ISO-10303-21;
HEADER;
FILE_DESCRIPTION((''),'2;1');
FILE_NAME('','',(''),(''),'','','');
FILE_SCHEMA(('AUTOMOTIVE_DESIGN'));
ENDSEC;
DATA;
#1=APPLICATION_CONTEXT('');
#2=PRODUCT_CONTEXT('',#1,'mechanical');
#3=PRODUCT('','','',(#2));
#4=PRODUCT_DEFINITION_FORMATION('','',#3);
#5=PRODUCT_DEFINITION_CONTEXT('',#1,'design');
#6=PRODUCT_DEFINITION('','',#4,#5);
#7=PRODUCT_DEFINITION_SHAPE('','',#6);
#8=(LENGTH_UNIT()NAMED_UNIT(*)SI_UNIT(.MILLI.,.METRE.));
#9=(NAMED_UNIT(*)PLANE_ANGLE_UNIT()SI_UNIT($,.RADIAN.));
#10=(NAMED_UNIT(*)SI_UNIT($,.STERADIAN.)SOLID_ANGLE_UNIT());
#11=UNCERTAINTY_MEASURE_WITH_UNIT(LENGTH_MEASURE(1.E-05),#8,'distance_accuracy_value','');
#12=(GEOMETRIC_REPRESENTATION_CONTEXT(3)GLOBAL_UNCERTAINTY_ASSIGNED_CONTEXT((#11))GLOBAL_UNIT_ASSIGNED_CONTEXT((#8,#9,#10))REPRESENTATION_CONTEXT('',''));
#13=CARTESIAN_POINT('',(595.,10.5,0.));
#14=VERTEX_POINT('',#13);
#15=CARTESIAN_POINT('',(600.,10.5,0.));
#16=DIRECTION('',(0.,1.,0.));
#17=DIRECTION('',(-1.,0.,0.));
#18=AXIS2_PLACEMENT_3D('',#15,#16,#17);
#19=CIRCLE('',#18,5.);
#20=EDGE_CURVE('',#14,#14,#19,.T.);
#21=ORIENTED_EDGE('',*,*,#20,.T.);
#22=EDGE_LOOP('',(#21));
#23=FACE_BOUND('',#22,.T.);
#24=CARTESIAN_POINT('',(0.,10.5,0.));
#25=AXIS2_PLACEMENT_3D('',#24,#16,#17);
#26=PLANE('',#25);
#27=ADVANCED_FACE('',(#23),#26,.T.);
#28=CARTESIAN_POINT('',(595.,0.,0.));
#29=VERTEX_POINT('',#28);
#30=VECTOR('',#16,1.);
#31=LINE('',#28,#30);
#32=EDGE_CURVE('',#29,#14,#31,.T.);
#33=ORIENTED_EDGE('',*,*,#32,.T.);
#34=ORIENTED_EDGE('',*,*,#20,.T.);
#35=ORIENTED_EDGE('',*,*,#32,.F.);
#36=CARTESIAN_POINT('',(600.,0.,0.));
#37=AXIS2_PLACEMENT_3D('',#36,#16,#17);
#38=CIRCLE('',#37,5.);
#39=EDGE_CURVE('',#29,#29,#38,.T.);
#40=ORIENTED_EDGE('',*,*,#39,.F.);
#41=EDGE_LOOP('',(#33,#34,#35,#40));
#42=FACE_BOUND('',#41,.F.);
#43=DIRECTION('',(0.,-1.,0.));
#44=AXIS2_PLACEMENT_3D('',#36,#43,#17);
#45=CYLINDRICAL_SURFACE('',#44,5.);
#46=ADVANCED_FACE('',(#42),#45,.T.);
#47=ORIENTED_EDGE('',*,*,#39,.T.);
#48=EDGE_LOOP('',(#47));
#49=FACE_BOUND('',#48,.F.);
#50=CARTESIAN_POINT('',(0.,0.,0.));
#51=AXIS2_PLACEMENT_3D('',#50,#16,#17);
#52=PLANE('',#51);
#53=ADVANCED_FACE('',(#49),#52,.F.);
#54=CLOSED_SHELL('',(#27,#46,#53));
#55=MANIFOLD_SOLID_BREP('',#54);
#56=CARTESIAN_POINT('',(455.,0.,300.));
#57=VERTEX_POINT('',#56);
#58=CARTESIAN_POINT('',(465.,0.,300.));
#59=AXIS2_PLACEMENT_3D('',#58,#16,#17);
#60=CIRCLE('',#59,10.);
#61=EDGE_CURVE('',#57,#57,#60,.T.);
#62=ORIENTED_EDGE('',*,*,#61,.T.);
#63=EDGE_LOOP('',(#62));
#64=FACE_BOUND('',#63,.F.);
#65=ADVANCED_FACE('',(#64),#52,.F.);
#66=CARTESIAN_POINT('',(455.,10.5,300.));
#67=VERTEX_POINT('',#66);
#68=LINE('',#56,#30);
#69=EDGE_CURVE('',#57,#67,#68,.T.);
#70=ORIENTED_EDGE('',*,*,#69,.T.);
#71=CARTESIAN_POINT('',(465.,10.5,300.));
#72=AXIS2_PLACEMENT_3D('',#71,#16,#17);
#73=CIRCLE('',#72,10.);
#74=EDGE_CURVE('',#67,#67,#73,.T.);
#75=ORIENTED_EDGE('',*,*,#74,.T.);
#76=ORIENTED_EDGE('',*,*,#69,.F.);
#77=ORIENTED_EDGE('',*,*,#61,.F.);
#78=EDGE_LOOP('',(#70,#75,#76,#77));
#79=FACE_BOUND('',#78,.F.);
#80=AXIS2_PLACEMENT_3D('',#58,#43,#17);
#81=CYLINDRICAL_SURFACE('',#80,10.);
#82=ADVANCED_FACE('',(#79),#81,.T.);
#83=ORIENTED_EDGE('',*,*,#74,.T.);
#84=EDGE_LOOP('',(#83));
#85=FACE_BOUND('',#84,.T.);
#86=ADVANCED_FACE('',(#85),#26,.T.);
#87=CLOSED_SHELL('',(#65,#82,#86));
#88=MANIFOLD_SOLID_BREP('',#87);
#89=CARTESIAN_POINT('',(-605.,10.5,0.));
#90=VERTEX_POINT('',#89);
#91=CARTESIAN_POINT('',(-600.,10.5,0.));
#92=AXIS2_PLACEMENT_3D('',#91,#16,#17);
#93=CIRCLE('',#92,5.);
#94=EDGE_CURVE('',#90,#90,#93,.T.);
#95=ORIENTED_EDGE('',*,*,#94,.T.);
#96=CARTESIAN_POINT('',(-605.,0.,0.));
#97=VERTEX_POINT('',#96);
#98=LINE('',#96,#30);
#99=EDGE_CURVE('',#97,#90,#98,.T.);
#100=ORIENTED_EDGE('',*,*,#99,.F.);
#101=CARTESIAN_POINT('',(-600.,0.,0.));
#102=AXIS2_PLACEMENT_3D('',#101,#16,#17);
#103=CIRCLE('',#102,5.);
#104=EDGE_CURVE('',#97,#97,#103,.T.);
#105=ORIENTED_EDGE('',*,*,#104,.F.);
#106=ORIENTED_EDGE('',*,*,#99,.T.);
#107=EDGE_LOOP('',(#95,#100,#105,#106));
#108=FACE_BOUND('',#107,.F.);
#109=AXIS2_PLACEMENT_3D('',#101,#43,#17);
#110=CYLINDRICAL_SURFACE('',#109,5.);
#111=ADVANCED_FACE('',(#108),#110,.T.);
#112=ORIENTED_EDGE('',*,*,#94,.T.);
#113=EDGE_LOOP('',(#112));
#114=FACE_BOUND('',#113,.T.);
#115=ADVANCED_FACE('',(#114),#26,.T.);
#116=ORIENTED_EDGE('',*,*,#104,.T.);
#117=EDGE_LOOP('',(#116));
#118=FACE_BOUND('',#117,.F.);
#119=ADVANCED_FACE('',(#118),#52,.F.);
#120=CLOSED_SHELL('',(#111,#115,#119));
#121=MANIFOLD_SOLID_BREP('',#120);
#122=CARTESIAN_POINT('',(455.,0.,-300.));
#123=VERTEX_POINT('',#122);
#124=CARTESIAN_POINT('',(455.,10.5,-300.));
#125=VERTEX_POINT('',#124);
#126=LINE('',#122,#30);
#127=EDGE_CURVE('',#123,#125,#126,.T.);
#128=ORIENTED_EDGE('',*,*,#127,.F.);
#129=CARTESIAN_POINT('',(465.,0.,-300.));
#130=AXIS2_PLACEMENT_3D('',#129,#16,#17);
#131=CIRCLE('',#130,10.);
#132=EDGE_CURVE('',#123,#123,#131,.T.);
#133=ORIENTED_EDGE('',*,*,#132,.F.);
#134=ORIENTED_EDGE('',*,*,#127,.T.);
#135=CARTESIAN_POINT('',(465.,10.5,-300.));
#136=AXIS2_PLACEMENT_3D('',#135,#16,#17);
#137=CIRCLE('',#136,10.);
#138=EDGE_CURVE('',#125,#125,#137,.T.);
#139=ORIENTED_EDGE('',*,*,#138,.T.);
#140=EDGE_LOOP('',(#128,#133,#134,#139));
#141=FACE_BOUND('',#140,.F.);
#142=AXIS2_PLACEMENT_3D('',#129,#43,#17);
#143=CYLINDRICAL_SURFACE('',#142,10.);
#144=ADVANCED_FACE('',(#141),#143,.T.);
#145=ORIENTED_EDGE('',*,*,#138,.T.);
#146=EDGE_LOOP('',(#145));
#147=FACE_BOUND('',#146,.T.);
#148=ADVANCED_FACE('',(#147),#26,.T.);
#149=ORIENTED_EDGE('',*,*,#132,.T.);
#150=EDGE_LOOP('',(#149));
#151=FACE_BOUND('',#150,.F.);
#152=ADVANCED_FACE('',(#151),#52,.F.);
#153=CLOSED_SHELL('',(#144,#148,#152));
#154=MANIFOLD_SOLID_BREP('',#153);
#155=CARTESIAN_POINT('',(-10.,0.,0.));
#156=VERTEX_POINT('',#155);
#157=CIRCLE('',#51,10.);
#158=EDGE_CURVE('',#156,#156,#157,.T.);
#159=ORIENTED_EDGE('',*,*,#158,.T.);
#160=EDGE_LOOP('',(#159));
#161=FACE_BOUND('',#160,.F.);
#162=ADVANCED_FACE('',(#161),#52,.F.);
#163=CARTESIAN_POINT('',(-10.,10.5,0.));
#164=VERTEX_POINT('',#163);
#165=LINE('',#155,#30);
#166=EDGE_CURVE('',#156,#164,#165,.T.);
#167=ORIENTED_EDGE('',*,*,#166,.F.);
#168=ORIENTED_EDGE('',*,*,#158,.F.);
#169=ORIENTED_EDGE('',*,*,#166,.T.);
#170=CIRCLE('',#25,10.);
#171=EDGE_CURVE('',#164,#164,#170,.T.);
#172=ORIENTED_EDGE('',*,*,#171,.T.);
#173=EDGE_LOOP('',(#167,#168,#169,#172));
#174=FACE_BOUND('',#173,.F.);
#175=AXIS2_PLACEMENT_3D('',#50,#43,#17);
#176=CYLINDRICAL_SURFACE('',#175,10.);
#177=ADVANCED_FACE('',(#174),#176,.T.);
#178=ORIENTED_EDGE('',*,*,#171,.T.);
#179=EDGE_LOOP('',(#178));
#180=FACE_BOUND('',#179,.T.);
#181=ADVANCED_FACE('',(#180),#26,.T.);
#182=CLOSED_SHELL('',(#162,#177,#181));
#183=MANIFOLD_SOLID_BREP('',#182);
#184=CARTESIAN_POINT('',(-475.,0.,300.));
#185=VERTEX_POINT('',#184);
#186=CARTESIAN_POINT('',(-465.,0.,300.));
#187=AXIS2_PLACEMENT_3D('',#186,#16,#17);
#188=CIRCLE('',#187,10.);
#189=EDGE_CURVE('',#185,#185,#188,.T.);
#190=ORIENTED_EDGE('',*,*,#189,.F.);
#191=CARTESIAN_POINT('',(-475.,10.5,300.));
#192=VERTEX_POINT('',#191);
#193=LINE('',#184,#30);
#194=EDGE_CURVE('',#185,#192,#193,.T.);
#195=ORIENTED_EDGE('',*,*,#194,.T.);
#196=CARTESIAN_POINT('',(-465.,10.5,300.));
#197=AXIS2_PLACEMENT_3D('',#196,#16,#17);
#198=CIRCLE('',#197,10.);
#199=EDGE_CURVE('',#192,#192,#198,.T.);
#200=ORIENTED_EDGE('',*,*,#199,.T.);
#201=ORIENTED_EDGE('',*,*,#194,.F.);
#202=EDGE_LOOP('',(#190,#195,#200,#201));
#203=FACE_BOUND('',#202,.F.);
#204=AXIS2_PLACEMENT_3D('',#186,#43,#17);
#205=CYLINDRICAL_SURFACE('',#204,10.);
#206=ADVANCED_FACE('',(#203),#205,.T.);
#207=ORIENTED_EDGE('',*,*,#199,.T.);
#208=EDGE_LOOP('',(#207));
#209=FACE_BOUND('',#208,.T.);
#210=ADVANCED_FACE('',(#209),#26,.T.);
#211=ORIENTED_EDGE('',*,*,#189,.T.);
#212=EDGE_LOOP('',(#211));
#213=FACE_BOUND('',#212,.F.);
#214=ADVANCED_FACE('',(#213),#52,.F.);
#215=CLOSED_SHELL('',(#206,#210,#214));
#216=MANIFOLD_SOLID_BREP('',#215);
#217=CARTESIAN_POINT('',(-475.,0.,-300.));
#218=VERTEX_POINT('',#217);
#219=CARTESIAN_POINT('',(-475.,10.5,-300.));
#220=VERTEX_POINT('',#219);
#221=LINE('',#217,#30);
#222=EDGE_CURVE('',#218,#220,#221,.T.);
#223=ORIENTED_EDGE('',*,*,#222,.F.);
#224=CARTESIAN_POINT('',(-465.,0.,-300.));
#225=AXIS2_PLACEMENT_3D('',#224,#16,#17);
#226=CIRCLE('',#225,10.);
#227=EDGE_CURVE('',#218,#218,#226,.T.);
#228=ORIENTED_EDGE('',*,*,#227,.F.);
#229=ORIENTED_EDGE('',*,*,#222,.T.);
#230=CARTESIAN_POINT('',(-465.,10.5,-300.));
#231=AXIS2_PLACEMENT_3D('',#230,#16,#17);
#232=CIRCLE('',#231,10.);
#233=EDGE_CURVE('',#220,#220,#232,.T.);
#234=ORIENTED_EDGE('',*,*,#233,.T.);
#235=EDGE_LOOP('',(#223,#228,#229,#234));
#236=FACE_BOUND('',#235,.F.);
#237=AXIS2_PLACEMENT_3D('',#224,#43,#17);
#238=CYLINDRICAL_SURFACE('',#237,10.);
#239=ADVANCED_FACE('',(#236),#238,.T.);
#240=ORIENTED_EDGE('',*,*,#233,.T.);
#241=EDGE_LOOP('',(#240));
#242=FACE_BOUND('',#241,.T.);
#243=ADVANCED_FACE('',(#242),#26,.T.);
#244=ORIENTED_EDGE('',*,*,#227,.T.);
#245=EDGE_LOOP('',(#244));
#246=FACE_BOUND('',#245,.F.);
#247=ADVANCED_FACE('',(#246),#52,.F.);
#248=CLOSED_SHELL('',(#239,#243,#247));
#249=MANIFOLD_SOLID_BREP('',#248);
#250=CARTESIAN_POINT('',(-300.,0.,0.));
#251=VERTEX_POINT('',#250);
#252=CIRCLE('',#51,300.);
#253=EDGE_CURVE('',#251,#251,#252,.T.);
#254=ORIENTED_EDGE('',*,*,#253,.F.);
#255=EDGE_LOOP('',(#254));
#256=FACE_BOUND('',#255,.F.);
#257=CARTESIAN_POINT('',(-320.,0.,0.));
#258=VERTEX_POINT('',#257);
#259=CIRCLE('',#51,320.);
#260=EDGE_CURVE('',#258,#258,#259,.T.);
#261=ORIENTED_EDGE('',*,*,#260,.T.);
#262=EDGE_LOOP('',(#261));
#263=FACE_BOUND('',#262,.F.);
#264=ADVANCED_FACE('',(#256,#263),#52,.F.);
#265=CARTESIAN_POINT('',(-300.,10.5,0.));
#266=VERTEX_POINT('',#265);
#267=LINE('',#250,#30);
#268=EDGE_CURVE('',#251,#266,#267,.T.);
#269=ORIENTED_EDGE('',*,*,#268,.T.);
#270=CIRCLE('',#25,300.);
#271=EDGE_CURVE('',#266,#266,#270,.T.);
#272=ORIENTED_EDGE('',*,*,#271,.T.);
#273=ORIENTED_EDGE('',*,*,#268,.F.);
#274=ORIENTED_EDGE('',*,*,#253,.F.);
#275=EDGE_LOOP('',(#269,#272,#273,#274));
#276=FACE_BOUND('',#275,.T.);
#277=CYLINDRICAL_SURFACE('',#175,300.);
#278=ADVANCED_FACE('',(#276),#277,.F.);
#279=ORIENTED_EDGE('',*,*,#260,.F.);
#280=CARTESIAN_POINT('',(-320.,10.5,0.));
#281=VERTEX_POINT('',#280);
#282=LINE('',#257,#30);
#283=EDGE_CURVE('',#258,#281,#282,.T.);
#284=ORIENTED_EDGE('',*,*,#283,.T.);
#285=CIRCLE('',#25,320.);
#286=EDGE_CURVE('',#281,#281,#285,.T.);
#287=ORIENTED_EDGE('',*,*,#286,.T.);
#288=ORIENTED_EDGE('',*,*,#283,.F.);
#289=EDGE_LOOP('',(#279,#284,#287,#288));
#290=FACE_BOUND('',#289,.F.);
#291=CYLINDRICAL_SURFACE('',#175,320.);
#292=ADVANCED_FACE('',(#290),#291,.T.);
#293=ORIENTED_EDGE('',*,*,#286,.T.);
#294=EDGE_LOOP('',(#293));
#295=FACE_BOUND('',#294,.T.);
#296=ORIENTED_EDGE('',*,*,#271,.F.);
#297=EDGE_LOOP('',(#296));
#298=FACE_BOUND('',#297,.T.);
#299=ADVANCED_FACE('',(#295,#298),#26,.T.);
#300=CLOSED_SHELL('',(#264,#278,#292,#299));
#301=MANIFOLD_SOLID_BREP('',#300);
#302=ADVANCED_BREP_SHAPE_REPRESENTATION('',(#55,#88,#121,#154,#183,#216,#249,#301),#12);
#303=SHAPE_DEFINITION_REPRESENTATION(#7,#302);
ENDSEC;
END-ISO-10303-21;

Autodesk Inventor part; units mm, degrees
ref_plane "YZ Plane" through (0, 0, 0) normal (1, 0, 0) x (0, 1, 0)
ref_plane "XZ Plane" through (0, 0, 0) normal (0, 1, 0) x (-1, 0, 0)
ref_plane "XY Plane" through (0, 0, 0) normal (0, 0, 1) x (1, 0, 0)
sketch "Эскиз1" plane through (0, 0, 0) normal (0, 1, 0) x (-1, 0, 0)
  circle A0 centre (0, 0) radius 300
  circle A1 centre (0, 0) radius 320
  circle A2 centre (465, -300) radius 10
  line L0 (915, -610) -> (-915, -610)
  line L1 (-915, -610) -> (-915, 610)
  line L2 (-915, 610) -> (915, 610)
  line L3 (915, 610) -> (915, -610)
  line L4 (0, -610) -> (0, 610) construction
  line L5 (915, 0) -> (-915, 0) construction
  circle A3 centre (465, 300) radius 10
  circle A4 centre (-465, -300) radius 10
  circle A5 centre (-465, 300) radius 10
  circle A6 centre (0, 0) radius 10
  circle A7 centre (600, 0) radius 5
  circle A8 centre (-600, 0) radius 5
  dimension "d0" = 600
  dimension "d1" = 20
  dimension "d2" = 20
  dimension "d3" = 450
  dimension "d4" = 310
  dimension "d5" = 1830
  dimension "d6" = 1220
  dimension "d12" = 10
  dimension "d13" = 600
extrude "Выдавливание1" add sketch "Эскиз1" along normal blind 10.5 contours A1 | A2 | A3 | A4 | A5 | A6 | A7 | A8
properties part number "Metkes_1"
